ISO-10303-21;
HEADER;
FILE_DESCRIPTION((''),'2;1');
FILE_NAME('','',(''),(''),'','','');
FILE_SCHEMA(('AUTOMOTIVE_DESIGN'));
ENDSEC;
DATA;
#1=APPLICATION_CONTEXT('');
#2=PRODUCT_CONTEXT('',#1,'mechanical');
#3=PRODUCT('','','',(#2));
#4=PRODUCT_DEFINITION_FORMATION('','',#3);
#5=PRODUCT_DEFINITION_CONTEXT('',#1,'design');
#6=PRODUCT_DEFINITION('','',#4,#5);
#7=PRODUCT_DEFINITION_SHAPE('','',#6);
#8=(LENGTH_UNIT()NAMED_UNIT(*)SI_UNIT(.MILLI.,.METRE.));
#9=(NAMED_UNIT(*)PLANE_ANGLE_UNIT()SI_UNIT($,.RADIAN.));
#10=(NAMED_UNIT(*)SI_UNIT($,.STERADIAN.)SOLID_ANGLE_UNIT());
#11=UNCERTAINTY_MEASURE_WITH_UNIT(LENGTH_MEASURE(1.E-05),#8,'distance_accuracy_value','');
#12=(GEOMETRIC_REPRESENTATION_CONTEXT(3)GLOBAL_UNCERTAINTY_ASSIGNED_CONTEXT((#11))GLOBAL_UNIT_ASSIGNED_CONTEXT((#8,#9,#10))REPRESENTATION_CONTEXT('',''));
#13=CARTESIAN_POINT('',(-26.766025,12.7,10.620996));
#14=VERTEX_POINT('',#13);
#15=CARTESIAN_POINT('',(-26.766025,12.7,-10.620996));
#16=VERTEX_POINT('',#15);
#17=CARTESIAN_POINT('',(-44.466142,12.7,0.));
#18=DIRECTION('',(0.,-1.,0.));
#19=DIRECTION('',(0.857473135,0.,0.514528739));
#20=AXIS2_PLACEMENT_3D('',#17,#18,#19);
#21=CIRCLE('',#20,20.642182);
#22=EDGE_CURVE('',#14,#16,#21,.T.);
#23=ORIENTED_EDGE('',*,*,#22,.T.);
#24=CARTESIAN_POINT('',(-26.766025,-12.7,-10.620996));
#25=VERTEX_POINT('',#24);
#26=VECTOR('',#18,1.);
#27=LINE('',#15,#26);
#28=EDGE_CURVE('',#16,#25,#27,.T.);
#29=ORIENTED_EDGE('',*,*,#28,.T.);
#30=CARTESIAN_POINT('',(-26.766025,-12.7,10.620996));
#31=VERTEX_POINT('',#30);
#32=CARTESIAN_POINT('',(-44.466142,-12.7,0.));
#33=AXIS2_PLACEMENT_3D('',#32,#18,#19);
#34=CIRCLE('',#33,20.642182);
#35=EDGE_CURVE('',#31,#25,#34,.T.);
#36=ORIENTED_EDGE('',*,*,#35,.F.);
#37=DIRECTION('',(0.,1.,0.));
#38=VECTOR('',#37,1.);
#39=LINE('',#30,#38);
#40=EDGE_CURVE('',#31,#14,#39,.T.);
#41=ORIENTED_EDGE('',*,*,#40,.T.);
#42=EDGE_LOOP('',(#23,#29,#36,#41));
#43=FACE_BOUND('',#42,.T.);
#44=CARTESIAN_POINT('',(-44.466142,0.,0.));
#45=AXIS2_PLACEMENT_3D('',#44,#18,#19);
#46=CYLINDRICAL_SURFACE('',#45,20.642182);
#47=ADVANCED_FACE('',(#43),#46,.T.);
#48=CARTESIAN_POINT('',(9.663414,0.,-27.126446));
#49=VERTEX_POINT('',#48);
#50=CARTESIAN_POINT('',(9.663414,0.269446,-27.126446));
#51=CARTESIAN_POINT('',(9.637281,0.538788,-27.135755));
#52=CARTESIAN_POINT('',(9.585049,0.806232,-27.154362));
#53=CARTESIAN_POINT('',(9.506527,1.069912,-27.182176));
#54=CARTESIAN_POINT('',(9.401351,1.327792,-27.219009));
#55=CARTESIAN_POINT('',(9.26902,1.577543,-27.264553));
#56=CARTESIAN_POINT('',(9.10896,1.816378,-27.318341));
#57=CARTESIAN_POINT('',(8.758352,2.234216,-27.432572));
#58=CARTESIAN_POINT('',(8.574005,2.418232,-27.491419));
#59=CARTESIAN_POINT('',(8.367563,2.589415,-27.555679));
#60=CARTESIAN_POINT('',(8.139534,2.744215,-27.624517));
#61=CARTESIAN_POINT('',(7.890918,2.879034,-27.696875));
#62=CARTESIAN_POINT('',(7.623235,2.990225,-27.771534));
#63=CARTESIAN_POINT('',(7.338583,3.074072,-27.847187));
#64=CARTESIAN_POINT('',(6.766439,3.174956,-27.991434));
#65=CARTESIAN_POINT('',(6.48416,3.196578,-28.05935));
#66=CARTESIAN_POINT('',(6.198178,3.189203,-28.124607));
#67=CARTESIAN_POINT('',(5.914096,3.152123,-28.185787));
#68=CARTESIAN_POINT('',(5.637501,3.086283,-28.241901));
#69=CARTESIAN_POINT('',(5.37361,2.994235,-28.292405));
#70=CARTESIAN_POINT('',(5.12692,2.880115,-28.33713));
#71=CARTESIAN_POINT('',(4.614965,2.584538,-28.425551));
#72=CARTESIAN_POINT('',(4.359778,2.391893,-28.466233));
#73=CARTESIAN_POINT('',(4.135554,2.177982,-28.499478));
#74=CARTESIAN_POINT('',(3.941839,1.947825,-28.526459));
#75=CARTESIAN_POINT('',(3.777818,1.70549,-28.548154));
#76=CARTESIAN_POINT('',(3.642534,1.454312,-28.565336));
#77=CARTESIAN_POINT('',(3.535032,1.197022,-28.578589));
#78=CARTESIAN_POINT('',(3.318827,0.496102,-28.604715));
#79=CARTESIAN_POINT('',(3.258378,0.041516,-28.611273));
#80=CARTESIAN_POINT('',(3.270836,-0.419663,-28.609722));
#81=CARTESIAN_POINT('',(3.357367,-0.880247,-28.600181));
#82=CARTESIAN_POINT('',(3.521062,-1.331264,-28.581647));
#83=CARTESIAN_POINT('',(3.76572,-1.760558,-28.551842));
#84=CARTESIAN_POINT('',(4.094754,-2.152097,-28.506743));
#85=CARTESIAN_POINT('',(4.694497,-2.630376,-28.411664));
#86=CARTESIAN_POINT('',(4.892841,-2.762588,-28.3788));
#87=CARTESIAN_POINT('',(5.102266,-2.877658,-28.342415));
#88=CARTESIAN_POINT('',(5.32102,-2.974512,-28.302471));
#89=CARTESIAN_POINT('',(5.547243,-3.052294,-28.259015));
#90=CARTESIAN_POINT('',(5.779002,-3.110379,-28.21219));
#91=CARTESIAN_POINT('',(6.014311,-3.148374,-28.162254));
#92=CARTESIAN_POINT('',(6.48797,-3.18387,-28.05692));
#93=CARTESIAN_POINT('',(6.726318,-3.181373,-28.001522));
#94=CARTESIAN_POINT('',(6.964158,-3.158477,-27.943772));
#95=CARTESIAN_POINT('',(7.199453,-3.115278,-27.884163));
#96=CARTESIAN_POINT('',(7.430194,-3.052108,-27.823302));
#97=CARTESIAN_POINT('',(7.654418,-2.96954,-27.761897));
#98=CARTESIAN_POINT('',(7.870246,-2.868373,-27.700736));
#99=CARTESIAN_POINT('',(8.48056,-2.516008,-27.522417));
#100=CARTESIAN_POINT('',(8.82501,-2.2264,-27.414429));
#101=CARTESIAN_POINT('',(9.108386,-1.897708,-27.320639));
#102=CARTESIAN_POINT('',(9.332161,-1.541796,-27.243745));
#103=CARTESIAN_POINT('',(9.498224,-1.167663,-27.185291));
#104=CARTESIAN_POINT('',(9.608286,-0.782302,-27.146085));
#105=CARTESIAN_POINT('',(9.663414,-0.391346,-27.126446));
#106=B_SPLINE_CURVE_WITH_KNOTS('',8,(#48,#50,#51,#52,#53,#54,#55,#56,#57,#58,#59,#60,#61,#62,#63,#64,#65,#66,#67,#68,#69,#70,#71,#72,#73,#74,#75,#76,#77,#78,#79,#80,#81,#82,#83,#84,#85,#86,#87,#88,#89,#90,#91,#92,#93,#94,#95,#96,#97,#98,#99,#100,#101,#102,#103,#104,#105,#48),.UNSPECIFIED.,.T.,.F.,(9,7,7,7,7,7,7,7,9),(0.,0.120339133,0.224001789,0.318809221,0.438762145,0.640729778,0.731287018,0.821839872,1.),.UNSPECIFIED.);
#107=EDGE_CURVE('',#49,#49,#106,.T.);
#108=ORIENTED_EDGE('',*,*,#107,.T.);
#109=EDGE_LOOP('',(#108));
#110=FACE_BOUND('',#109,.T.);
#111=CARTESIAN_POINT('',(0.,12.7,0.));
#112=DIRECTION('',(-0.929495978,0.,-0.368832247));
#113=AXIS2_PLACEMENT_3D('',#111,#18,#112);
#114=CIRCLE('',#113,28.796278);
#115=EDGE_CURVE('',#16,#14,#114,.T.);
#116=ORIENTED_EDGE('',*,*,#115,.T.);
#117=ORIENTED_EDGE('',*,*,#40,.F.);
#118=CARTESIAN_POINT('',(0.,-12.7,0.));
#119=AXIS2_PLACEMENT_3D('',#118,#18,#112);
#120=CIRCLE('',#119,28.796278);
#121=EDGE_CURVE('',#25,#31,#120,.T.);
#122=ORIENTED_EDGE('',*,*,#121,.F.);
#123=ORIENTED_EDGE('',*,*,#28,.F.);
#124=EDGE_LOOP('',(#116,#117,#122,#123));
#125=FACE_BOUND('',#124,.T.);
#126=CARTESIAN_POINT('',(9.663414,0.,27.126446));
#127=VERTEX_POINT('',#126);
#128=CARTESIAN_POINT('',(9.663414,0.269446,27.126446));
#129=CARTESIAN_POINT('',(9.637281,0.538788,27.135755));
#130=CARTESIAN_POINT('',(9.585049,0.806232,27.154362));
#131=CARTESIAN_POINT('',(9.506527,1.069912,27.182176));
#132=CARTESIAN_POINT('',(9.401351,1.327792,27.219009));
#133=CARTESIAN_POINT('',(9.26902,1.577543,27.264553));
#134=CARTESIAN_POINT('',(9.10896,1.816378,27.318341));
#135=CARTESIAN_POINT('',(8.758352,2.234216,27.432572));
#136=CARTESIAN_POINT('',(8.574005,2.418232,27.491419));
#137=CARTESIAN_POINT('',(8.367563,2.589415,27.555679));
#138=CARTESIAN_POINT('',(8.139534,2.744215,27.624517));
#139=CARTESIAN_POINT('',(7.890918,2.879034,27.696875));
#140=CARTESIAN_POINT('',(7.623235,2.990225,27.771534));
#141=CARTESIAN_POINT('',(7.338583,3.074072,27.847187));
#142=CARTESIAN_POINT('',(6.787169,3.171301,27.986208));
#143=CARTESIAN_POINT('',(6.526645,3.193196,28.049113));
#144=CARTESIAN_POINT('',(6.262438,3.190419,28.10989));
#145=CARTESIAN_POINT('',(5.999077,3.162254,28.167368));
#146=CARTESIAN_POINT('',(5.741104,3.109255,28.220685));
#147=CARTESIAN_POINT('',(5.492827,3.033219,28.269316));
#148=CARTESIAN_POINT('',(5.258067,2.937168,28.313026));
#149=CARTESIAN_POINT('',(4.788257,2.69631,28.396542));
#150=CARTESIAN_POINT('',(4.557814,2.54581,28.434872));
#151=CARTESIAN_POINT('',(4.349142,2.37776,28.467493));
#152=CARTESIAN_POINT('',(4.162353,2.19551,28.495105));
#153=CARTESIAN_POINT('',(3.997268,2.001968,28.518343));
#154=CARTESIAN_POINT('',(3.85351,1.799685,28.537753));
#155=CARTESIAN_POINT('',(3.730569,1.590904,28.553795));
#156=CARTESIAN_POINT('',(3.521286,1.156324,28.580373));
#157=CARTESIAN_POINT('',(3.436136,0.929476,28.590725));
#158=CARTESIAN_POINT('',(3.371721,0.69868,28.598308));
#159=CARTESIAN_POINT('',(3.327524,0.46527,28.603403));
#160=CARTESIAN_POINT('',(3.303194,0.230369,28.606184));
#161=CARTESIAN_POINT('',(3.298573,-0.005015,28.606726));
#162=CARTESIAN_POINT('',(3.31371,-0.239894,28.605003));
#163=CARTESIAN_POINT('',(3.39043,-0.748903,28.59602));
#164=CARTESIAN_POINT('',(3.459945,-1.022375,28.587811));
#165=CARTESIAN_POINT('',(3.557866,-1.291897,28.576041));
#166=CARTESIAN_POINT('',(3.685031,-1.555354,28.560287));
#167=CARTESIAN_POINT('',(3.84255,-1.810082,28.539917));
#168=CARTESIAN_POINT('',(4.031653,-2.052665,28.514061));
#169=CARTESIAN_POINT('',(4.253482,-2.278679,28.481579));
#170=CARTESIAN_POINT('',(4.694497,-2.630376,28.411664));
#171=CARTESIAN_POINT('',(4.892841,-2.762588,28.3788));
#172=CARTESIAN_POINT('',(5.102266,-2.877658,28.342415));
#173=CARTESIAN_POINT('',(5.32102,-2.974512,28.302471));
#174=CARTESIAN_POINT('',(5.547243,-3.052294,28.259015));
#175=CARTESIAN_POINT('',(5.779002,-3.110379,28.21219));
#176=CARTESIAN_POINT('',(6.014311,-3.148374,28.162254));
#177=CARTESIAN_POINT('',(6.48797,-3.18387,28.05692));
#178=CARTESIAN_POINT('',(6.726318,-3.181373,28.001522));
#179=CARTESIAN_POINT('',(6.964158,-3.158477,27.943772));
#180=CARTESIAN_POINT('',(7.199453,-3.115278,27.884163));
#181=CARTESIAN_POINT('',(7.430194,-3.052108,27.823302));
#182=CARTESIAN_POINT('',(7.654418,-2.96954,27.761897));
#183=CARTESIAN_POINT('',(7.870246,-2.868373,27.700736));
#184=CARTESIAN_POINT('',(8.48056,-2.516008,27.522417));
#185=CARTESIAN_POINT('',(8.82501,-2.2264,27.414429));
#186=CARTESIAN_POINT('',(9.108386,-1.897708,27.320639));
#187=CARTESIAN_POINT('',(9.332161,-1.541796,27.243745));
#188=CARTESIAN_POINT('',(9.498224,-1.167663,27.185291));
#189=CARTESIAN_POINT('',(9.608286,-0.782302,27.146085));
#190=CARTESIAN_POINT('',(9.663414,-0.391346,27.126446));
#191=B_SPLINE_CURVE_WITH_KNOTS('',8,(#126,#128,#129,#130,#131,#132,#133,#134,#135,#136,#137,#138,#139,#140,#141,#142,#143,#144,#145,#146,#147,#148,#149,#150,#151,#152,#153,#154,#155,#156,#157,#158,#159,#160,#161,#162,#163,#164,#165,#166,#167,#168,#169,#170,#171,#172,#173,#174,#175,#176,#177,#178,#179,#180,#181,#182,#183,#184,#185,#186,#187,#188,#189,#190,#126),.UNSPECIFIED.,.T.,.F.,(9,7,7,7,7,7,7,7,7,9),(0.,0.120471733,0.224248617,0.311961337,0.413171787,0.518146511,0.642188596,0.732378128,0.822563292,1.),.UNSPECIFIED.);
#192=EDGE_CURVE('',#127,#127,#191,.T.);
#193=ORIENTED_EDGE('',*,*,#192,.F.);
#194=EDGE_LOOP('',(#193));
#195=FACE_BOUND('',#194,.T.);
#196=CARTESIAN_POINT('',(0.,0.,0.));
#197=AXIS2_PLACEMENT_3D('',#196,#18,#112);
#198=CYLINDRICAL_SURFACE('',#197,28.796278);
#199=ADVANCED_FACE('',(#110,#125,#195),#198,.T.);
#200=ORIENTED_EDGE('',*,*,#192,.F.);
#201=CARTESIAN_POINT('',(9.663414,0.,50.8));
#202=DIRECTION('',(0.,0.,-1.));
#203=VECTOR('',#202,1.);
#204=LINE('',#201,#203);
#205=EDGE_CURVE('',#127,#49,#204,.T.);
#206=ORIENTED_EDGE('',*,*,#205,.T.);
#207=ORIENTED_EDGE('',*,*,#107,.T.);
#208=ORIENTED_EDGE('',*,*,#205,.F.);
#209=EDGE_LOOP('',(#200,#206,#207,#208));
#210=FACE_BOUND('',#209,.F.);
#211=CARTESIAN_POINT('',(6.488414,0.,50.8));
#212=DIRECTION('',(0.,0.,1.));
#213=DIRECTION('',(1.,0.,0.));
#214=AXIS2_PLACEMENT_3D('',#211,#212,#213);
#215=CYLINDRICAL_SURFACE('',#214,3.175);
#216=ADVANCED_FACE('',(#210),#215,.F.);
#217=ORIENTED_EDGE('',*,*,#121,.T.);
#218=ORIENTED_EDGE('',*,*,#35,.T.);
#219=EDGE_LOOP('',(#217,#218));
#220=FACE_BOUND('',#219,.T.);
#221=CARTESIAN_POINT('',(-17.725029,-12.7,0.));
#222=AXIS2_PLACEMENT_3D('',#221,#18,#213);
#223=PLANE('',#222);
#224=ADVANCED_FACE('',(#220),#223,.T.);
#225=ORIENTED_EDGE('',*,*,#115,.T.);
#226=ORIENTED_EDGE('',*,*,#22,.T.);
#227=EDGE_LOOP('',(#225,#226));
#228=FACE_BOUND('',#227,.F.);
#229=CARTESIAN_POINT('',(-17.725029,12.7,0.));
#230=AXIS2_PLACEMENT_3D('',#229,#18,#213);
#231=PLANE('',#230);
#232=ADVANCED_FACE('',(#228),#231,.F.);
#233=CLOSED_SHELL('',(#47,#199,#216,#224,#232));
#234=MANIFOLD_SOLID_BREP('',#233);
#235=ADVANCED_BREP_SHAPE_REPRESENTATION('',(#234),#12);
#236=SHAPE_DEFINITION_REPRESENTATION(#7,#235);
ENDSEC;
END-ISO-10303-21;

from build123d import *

# Parameters (mm, degrees)
F1_DEPTH = 12.7
F3_R     = 3.175
F4_DEPTH = 116.84949


with BuildPart() as f1:
    # F0 (on Front) → F1 (new body, symmetric)
    with BuildSketch(Plane.XZ):
        with BuildLine():
            ThreePointArc((-26.766025, 10.620996), (-65.108324, 0), (-26.766025, -10.620996))
            ThreePointArc((-26.766025, -10.620996), (28.796278, 0), (-26.766025, 10.620996))
        make_face()
    extrude(amount=F1_DEPTH, both=True)


with BuildPart() as f4:
    # F3 (on offset) → F4 (new body)
    with BuildSketch(Plane.XY.offset(50.8)):
        with Locations((6.488414, 0)):
            Circle(F3_R)
    extrude(amount=-F4_DEPTH)


with BuildPart() as f1_1:
    add(f1.part)

    # F5: cut F4
    add(f4.part, mode=Mode.SUBTRACT)


solid = f1_1.part
